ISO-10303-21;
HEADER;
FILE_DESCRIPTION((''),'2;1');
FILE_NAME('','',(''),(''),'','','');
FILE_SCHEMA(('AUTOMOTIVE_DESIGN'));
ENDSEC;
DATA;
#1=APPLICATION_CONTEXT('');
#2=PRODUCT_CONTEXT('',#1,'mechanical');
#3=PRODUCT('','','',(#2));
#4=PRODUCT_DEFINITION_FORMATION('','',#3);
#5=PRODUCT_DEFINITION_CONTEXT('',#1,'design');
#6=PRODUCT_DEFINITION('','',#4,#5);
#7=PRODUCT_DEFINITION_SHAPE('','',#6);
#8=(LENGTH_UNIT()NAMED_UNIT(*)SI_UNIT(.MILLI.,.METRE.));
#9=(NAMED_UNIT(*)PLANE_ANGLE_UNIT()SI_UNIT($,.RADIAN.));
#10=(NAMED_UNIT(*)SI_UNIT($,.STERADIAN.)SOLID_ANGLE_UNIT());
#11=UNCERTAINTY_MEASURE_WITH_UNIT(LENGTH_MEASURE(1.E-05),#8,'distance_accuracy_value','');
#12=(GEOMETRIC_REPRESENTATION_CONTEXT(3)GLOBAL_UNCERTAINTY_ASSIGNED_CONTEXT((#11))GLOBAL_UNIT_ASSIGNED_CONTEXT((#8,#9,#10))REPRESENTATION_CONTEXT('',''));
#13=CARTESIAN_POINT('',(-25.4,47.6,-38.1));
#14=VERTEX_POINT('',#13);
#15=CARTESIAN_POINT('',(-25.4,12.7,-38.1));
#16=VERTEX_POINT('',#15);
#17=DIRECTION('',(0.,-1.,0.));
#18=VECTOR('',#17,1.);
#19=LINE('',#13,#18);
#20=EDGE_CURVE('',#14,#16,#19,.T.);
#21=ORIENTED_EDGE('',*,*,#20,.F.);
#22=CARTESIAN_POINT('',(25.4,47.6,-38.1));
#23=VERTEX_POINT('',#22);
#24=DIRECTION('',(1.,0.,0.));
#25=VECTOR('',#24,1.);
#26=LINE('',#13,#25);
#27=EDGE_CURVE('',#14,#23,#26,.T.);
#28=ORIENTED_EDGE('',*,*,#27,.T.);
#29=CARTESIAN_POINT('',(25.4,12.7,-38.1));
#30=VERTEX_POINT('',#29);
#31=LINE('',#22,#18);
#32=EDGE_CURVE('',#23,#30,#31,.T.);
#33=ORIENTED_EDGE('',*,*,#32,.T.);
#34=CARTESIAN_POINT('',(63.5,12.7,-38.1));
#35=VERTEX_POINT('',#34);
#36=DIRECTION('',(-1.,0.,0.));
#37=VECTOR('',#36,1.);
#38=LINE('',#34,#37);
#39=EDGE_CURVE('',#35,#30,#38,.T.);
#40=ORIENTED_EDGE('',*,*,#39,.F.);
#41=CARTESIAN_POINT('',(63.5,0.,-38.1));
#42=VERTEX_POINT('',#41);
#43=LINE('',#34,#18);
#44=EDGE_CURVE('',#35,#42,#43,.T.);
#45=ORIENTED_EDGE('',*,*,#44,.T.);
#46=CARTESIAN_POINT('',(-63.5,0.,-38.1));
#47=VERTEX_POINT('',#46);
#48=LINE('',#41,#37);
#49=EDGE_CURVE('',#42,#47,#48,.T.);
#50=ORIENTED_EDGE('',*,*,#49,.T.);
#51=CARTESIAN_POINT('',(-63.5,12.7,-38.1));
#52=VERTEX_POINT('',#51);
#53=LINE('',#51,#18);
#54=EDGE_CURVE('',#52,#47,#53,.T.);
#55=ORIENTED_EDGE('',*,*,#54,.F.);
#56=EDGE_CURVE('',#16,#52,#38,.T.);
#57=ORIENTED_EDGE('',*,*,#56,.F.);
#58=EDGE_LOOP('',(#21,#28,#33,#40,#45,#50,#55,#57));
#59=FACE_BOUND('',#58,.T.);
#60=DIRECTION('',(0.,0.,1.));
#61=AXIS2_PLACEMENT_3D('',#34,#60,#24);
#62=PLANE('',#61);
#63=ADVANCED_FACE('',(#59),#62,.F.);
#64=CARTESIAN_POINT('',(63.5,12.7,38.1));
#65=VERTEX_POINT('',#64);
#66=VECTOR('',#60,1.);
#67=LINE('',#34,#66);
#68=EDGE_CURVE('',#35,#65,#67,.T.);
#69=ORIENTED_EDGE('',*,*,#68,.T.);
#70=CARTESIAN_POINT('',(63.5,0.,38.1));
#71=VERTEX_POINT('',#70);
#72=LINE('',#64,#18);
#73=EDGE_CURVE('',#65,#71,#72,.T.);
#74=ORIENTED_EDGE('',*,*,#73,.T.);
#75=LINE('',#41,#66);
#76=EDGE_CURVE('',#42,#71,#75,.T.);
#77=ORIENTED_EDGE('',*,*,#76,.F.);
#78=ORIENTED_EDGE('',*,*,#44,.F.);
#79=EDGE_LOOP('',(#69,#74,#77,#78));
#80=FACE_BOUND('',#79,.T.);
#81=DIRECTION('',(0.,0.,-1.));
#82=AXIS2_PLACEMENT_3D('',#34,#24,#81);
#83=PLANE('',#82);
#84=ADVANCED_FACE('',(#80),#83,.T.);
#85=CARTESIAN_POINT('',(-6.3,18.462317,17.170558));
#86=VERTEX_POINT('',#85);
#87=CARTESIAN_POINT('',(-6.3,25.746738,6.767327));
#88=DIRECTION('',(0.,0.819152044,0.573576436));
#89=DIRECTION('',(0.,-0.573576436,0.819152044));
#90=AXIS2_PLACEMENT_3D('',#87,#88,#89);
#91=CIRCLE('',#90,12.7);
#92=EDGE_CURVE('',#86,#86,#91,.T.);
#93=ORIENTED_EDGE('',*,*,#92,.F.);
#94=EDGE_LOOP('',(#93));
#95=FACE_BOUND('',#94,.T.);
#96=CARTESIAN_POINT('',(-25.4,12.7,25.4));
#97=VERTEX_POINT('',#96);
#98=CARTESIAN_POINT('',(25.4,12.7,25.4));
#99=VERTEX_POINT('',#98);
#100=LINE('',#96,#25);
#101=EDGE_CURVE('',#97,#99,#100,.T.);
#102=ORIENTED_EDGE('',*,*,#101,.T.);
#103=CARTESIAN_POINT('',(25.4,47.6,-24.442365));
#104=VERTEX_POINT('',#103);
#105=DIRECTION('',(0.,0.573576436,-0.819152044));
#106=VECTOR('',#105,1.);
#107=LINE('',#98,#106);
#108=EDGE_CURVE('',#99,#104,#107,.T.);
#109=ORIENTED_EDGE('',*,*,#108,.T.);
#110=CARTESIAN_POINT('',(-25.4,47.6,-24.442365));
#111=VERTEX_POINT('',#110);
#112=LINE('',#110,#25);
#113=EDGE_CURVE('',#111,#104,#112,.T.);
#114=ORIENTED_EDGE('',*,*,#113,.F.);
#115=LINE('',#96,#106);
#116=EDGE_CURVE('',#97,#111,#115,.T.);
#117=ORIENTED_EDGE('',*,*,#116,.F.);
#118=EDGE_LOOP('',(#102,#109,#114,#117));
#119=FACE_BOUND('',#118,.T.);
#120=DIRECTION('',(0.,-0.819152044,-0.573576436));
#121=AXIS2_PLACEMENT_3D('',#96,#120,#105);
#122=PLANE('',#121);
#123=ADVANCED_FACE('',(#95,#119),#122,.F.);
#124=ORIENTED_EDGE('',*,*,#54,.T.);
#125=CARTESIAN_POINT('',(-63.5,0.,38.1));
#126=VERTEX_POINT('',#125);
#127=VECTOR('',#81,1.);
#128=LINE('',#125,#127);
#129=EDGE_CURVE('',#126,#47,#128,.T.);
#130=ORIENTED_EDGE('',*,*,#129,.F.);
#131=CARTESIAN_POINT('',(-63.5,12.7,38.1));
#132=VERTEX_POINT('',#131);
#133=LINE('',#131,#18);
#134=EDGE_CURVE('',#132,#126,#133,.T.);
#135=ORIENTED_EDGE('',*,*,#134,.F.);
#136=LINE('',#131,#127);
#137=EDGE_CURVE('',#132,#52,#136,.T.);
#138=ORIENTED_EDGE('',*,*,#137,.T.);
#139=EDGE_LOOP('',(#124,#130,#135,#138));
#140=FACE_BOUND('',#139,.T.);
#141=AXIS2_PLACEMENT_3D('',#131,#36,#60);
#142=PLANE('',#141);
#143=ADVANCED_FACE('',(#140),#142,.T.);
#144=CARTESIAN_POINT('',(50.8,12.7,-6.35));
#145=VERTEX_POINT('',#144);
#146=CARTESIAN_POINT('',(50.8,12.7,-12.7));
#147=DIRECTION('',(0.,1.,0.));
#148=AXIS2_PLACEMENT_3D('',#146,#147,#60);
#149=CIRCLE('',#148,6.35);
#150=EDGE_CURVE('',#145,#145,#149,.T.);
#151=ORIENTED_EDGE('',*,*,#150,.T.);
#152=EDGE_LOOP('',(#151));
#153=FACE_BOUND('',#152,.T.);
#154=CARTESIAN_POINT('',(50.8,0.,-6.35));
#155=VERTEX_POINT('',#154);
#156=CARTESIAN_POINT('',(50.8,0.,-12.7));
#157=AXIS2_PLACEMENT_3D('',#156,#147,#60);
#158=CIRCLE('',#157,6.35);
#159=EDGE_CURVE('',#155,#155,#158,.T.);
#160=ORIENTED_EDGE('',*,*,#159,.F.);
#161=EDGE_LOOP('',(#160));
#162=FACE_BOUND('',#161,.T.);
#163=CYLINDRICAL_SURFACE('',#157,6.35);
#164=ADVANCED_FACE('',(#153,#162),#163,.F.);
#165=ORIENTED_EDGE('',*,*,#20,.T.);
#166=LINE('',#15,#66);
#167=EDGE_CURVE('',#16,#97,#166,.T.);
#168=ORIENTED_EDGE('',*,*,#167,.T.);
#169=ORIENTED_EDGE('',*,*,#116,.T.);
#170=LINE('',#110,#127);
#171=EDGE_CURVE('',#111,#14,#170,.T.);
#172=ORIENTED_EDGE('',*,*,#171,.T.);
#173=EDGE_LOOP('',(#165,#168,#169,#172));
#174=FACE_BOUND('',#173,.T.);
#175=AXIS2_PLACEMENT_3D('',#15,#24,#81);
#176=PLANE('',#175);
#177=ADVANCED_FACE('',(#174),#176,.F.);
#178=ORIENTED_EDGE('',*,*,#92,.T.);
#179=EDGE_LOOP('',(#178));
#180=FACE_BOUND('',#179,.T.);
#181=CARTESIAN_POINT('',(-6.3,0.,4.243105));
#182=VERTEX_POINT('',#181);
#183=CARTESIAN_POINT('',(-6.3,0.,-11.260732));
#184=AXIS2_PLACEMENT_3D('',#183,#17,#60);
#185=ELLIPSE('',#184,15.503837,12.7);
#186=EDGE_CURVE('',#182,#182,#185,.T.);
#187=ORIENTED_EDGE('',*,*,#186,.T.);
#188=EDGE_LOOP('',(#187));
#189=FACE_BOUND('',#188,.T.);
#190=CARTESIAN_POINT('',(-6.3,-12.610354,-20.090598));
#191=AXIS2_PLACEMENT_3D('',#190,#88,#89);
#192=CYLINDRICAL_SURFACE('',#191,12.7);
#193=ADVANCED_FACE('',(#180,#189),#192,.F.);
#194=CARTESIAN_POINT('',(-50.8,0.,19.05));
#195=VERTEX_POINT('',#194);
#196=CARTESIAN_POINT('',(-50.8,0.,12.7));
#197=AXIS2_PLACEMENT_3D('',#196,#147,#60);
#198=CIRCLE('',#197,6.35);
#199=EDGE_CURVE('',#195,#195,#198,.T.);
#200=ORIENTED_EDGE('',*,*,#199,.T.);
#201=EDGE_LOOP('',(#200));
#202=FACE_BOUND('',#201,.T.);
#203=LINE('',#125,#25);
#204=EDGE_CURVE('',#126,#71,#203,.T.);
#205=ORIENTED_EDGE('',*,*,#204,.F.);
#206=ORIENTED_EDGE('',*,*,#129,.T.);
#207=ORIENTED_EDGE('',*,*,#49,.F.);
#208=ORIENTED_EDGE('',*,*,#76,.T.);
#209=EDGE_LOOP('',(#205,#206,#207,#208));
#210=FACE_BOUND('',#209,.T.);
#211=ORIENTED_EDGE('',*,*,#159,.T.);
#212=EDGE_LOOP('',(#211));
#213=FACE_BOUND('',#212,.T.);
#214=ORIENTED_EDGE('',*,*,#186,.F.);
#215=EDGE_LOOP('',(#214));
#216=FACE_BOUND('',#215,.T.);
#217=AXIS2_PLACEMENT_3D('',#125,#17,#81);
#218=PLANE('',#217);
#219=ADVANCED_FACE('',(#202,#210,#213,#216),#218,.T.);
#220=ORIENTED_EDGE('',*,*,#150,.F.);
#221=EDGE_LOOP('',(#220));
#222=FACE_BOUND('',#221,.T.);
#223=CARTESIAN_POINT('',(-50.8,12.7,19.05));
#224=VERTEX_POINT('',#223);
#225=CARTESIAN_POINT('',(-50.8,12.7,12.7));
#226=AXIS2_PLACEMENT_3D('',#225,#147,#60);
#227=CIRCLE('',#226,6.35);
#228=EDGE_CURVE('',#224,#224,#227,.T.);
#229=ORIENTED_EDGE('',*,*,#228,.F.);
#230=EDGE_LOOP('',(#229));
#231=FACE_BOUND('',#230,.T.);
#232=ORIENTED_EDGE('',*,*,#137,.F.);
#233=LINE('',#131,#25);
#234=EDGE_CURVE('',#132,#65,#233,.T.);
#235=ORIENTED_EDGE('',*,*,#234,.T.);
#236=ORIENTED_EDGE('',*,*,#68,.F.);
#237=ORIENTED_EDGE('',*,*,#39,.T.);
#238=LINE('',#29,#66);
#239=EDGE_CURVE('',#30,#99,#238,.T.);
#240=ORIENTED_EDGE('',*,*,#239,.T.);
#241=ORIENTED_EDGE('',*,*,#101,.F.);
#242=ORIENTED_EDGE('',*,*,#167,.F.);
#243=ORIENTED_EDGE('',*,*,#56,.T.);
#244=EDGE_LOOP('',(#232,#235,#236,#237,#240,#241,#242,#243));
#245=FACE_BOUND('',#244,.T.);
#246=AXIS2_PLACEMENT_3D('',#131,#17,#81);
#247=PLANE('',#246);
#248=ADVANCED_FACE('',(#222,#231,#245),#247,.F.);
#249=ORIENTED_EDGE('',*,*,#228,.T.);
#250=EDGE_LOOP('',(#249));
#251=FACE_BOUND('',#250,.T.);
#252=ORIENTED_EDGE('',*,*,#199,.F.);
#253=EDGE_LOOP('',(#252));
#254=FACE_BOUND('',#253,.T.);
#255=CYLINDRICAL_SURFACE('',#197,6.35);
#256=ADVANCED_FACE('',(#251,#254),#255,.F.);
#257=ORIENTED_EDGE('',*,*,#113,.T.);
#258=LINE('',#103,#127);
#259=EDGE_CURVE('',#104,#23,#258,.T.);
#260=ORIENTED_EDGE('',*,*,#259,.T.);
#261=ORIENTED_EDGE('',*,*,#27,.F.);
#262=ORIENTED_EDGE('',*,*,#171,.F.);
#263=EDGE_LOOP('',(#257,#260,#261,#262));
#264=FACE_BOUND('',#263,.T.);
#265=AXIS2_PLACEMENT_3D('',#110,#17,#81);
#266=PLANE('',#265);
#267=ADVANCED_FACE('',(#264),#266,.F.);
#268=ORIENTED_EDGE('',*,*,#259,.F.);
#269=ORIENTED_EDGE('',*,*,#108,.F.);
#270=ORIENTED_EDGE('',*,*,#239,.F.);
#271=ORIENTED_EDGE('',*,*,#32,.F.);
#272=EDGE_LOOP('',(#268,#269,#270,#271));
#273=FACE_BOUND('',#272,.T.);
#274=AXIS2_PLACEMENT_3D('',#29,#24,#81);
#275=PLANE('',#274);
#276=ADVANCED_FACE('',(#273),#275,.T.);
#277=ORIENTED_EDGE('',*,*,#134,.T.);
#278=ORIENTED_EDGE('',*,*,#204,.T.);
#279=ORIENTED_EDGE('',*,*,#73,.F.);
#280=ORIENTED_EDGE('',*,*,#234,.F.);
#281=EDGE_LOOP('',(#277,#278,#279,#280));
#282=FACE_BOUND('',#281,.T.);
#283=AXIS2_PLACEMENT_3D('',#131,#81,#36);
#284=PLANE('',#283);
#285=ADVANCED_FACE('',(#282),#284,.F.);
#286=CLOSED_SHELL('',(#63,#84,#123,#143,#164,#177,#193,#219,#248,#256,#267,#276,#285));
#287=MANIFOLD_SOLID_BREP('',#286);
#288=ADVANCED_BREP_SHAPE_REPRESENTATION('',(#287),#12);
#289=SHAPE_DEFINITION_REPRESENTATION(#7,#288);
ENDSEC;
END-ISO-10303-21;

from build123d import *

# Parameters (mm, degrees)
SKETCH1_W           = 127
SKETCH1_H           = 76.2
BASE_EXTRUDE_DEPTH  = 12.7
BOSS_EXTRUDE2_DEPTH = 25.4
SKETCH4_R           = 6.35
CUT_EXTRUDE1_DEPTH  = 143.275747443
SKETCH5_R           = 12.7
CUT_EXTRUDE2_DEPTH  = 87.702150572


with BuildPart() as part:
    # Sketch1 → Base-Extrude (new body)
    with BuildSketch(Plane(origin=(0, 0, 0), x_dir=(1, 0, 0), z_dir=(0, 1, 0))):
        Rectangle(SKETCH1_W, SKETCH1_H)
    extrude(amount=BASE_EXTRUDE_DEPTH)

    # Sketch3 → Boss-Extrude2 (add, symmetric)
    with BuildSketch(Plane(origin=(0, 0, 0), x_dir=(0, 0, -1), z_dir=(1, 0, 0))):
        Polygon((-25.4, 12.7), (24.442365435, 47.6), (38.1, 47.6), (38.1, 12.7), align=None)
    extrude(amount=BOSS_EXTRUDE2_DEPTH, both=True)

    # Sketch4 → Cut-Extrude1 (cut, through all)
    with BuildSketch(Plane(origin=(65.699574279, 12.7, 10.189215324), x_dir=(-1, 0, 0), z_dir=(0, 1, 0))):
        with Locations(Location((14.899574279, -22.889215324, 0), (0, 0, 90))):
            Circle(SKETCH4_R)
        with Locations(Location((116.499574279, 2.510784676, 0), (0, 0, 90))):
            Circle(SKETCH4_R)
    extrude(amount=-CUT_EXTRUDE1_DEPTH, mode=Mode.SUBTRACT)

    # Sketch5 → Cut-Extrude2 (cut, through all)
    with BuildSketch(Plane(origin=(0, 20.455924194, 14.323392322), x_dir=(-1, 0, 0), z_dir=(0, 0.8191520442889948, 0.5735764363510417))):
        with Locations(Location((6.3, -9.224251984, 0), (0, 0, 90))):
            Circle(SKETCH5_R)
    extrude(amount=-CUT_EXTRUDE2_DEPTH, mode=Mode.SUBTRACT)


solid = part.part
